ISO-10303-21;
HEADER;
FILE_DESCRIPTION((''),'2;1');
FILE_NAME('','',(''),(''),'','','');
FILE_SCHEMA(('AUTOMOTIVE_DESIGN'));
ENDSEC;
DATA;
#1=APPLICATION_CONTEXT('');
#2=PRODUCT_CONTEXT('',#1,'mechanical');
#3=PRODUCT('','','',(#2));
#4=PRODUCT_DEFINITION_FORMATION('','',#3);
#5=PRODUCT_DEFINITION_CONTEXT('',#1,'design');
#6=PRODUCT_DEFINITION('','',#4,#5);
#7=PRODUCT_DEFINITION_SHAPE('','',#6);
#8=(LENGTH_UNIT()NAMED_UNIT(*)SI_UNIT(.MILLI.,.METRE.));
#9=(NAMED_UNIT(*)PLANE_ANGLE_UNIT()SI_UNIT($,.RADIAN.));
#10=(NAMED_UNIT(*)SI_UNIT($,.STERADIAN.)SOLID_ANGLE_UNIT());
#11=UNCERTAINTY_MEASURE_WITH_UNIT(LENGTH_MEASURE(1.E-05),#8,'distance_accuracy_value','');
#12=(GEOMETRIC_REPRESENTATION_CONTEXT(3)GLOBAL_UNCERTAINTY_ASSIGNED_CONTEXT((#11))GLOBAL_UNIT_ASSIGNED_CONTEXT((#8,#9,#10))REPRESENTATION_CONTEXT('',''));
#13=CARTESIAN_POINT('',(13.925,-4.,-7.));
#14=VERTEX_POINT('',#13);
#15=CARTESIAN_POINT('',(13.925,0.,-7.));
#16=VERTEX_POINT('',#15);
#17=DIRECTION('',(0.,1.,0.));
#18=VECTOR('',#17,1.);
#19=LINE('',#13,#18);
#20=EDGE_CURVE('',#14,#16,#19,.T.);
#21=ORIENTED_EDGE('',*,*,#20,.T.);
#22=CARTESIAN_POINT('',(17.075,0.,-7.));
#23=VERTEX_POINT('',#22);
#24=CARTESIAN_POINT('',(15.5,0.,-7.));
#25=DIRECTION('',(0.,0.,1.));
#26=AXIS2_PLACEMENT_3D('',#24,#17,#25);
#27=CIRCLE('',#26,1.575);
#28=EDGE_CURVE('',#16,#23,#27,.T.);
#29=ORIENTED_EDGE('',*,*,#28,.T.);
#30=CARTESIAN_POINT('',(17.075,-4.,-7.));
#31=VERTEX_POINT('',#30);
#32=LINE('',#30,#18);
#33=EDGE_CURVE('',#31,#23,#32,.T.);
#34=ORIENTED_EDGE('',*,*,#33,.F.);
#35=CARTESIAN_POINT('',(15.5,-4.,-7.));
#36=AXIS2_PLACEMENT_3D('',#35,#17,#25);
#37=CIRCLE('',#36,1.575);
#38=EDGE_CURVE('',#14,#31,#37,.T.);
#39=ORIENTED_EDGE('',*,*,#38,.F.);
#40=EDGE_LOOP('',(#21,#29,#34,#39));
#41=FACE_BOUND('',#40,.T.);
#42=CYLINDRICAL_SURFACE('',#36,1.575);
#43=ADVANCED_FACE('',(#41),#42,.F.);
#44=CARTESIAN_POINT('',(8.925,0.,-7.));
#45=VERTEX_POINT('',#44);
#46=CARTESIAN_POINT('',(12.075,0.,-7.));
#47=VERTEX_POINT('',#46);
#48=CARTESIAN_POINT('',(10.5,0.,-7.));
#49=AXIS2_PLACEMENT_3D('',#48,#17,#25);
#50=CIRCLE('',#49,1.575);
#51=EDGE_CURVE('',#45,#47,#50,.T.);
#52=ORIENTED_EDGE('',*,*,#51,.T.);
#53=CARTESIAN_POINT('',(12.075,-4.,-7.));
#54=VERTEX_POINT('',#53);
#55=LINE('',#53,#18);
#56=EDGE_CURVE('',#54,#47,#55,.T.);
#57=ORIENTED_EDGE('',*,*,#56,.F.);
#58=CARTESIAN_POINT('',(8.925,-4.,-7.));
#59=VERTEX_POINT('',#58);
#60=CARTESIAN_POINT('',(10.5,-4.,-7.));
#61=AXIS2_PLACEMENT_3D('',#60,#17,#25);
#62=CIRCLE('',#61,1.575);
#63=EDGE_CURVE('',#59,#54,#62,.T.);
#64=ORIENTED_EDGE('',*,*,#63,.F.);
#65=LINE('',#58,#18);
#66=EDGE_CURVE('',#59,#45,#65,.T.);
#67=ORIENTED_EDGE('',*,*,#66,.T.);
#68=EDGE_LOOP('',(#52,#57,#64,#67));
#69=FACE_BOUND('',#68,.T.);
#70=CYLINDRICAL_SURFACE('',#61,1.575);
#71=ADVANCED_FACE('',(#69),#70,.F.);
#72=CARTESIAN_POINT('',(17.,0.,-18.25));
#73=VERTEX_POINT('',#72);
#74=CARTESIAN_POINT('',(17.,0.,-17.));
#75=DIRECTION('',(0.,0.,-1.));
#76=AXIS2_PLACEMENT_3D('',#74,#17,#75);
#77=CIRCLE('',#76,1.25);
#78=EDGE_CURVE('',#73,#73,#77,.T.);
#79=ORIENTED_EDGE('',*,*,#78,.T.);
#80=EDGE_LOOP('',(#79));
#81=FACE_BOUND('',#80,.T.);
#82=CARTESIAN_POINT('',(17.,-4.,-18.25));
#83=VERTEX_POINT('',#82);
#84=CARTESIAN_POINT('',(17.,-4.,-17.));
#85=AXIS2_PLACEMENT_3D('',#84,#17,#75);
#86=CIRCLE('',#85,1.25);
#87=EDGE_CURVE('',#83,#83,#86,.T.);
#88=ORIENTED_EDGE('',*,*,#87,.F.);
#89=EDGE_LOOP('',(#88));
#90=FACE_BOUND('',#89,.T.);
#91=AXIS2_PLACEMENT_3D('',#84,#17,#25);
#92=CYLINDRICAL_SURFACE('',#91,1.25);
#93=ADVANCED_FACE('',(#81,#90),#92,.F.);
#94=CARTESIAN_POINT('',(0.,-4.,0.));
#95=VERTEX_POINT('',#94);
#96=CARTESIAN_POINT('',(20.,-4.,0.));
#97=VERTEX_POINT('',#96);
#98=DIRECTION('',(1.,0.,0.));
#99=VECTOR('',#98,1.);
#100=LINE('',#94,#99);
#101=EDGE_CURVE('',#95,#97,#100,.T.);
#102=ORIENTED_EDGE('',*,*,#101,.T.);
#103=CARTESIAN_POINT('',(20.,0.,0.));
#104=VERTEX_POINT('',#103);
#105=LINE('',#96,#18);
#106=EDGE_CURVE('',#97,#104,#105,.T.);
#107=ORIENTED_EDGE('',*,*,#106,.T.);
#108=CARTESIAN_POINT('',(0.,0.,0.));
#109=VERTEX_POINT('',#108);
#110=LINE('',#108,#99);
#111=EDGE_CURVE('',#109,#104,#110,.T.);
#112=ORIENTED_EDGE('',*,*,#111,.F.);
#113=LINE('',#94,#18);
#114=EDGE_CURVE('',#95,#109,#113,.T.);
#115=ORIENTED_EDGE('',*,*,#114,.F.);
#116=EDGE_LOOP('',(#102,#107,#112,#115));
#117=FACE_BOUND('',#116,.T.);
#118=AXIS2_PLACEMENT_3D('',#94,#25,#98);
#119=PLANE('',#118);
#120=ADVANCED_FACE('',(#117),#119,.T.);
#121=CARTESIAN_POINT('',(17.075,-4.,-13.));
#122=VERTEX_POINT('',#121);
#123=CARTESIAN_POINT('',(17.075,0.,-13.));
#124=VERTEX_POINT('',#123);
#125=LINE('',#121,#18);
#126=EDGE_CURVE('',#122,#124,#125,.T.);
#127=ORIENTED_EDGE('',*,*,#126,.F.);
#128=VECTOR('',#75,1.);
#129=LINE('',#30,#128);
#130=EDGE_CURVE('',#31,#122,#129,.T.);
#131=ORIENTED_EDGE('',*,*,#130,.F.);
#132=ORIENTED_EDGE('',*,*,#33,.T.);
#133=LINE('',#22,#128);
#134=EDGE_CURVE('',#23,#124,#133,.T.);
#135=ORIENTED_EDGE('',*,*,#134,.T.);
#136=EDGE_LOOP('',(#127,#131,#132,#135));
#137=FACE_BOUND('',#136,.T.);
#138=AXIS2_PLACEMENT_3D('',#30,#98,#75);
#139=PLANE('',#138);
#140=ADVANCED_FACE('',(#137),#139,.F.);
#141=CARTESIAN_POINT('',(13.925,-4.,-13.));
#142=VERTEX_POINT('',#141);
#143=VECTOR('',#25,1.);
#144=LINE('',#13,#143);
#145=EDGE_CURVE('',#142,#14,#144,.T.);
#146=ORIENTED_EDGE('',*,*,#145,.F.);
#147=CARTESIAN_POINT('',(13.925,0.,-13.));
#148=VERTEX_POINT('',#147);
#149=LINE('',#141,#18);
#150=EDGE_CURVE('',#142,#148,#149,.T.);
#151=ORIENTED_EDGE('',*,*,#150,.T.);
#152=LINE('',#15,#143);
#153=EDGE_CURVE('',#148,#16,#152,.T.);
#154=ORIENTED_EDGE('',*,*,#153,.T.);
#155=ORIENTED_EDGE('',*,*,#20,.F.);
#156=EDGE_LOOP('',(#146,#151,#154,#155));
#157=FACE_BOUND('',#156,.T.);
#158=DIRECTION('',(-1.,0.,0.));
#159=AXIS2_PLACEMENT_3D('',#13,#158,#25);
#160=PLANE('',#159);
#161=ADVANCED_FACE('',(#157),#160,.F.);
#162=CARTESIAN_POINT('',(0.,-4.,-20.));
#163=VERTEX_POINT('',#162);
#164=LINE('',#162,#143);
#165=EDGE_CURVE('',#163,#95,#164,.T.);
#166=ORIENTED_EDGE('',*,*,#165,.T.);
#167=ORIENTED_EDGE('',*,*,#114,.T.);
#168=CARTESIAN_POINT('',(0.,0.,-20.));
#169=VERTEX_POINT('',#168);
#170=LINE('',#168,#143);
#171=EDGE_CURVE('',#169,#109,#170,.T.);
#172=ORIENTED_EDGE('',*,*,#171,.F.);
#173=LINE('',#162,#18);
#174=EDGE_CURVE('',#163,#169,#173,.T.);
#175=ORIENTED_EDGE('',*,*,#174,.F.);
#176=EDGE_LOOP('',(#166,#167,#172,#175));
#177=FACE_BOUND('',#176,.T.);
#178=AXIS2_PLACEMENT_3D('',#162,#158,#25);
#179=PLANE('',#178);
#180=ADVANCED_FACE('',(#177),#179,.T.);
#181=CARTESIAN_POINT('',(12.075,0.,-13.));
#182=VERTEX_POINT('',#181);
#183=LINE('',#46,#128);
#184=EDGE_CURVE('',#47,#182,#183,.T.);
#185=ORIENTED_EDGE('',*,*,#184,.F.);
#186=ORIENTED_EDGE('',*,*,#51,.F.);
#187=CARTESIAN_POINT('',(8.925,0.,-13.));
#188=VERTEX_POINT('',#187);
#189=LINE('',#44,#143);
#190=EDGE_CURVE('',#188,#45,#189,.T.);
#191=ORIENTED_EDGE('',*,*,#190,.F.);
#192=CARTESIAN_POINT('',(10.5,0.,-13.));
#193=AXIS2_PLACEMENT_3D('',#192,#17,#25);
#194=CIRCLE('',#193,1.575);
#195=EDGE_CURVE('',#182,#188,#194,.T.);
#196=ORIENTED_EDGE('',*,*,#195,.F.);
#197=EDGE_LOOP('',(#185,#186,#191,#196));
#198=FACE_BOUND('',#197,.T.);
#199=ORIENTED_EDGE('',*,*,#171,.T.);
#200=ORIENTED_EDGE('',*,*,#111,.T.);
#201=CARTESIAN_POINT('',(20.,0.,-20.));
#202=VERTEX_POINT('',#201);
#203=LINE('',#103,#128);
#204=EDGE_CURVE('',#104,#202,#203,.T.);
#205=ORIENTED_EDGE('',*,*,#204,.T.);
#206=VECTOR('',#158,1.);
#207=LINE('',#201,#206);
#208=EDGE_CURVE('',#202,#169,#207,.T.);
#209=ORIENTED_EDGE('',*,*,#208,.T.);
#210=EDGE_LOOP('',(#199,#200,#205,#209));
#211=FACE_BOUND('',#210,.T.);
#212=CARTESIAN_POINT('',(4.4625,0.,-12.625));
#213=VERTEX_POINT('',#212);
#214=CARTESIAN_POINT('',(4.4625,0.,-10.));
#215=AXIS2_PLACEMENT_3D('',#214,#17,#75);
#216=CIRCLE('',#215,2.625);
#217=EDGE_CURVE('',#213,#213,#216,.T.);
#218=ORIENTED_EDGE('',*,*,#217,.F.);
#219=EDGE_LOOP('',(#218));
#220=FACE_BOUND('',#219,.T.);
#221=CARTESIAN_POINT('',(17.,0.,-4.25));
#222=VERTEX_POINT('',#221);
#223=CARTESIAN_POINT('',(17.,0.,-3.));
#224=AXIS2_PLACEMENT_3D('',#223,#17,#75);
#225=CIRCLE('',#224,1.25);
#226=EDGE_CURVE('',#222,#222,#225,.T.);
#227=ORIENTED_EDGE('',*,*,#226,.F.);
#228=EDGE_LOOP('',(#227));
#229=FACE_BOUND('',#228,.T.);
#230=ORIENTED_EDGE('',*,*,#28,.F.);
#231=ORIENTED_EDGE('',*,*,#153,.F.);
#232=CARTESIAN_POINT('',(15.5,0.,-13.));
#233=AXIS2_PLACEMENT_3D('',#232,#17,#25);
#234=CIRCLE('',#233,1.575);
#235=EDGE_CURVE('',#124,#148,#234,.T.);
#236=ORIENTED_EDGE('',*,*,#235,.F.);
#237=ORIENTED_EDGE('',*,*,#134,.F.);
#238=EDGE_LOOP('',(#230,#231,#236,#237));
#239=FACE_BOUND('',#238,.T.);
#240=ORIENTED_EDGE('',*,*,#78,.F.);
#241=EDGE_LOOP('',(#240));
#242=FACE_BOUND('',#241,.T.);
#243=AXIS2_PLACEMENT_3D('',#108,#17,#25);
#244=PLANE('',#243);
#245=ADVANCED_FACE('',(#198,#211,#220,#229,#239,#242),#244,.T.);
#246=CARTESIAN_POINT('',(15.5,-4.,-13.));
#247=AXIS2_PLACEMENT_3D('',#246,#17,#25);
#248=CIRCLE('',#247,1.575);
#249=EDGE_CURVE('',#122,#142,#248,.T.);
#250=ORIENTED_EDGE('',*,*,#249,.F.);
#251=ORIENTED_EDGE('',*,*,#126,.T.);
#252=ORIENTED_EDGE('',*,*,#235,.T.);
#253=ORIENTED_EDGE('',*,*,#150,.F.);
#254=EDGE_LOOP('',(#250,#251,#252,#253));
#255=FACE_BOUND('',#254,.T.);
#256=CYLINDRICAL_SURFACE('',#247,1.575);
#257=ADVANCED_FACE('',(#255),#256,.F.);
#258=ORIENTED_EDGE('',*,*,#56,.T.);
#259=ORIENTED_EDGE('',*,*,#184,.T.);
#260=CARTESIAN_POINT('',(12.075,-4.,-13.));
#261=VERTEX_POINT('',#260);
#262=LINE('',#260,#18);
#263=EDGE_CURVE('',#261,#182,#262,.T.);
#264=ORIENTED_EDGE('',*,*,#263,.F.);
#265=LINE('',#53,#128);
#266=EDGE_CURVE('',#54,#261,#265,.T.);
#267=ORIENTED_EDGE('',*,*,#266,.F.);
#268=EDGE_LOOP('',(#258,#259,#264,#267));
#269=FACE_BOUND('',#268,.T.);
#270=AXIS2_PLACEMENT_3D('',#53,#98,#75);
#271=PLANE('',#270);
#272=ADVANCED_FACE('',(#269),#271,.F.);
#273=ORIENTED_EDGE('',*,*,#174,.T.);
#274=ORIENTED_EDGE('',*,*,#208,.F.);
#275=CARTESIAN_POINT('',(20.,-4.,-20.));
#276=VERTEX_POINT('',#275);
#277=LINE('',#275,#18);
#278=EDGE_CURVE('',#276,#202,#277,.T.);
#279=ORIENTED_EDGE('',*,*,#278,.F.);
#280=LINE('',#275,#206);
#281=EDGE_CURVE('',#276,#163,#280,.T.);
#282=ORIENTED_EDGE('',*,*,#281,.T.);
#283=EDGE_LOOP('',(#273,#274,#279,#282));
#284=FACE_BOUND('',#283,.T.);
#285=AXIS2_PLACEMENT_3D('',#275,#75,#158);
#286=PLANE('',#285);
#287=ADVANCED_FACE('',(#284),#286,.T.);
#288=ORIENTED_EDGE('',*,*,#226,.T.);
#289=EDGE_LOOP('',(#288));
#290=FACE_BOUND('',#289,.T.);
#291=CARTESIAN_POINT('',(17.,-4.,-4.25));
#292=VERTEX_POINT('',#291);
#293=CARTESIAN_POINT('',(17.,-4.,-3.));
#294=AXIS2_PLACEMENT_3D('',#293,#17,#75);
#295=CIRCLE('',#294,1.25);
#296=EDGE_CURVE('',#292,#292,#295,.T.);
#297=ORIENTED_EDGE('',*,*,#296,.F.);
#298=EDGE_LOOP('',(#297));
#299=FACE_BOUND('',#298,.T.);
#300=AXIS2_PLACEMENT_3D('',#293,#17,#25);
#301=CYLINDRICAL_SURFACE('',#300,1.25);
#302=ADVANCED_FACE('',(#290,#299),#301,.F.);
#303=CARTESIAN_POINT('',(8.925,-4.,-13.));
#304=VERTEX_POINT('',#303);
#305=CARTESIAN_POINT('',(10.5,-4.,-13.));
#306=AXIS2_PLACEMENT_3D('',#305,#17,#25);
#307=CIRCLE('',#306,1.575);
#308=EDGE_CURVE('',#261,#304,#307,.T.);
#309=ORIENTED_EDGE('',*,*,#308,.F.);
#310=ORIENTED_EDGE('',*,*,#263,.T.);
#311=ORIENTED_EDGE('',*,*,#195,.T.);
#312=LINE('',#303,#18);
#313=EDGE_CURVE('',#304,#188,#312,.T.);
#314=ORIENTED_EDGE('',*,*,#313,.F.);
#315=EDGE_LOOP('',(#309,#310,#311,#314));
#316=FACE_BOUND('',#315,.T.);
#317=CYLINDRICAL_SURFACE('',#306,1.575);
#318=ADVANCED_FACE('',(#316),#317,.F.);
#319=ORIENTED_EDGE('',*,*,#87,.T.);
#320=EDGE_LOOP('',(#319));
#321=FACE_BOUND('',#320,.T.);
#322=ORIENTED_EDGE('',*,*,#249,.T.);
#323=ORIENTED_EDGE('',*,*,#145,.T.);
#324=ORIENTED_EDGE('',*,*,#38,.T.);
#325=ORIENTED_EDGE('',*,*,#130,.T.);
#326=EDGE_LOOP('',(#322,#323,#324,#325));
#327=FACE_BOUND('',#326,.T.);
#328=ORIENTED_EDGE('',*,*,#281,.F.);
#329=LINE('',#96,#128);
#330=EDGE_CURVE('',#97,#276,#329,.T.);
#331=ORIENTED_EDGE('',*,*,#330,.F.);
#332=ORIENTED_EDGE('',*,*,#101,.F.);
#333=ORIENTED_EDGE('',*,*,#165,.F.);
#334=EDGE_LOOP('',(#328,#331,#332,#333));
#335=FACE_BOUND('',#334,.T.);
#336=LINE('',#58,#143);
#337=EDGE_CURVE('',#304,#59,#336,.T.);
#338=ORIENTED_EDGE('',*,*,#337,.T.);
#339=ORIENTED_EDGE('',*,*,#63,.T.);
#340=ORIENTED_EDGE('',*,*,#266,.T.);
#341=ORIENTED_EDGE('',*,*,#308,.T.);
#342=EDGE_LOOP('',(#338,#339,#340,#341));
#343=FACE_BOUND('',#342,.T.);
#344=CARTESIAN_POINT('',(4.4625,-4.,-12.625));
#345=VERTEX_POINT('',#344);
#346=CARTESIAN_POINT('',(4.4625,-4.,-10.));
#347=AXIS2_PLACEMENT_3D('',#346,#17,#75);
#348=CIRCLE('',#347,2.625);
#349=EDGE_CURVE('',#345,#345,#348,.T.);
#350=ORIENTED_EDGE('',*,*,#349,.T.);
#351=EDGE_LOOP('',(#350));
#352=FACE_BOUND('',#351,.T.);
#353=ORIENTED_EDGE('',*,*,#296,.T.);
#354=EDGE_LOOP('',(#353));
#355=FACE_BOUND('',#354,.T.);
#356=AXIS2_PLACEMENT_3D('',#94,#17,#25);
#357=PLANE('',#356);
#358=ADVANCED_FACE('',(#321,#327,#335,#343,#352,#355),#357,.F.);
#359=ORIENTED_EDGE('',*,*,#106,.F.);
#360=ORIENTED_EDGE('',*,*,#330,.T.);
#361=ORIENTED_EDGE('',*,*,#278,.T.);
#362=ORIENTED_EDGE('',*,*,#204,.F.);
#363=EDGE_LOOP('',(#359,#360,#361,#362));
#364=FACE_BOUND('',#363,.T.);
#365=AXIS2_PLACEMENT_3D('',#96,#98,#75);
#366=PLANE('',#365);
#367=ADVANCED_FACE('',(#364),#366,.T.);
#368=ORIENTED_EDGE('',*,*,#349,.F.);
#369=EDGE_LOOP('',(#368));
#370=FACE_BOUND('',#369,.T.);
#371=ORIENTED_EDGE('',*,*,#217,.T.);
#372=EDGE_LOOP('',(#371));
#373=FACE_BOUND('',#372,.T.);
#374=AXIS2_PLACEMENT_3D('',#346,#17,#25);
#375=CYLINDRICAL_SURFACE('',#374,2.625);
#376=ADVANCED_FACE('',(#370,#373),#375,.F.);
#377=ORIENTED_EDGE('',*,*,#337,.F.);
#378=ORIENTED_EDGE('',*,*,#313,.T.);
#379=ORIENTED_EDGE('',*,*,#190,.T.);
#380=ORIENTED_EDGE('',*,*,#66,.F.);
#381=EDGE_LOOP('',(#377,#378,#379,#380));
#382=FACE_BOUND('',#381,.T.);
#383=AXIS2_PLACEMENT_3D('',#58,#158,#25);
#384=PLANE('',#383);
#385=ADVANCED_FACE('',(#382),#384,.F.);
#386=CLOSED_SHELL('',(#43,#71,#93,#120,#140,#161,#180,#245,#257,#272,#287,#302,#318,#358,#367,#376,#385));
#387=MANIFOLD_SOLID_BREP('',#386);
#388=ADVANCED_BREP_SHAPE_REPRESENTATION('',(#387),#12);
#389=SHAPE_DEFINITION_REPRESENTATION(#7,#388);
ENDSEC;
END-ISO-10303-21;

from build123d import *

# Parameters (mm, degrees)
SKETCH1_W           = 20
SKETCH1_H           = 20
SKETCH1_R           = 1.25
SKETCH1_R_2         = 2.625
BOSS_EXTRUDE1_DEPTH = 4


with BuildPart() as part:
    # Sketch1 → Boss-Extrude1 (new body)
    with BuildSketch(Plane(origin=(0, 0, 0), x_dir=(1, 0, 0), z_dir=(0, 1, 0))):
        with Locations((10, 10)):
            Rectangle(SKETCH1_W, SKETCH1_H)
        with Locations((17, 17)):
            Circle(SKETCH1_R, mode=Mode.SUBTRACT)
        with Locations((4.4625, 10)):
            Circle(SKETCH1_R_2, mode=Mode.SUBTRACT)
        with Locations((17, 3)):
            Circle(SKETCH1_R, mode=Mode.SUBTRACT)
        with BuildLine():
            Line((13.925, 7), (13.925, 13))
            ThreePointArc((13.925, 13), (15.5, 14.575), (17.075, 13))
            Line((17.075, 13), (17.075, 7))
            ThreePointArc((17.075, 7), (15.5, 5.425), (13.925, 7))
        make_face(mode=Mode.SUBTRACT)
        with BuildLine():
            Line((8.925, 7), (8.925, 13))
            ThreePointArc((8.925, 13), (10.5, 14.575), (12.075, 13))
            Line((12.075, 13), (12.075, 7))
            ThreePointArc((12.075, 7), (10.5, 5.425), (8.925, 7))
        make_face(mode=Mode.SUBTRACT)
    extrude(amount=-BOSS_EXTRUDE1_DEPTH)


solid = part.part
